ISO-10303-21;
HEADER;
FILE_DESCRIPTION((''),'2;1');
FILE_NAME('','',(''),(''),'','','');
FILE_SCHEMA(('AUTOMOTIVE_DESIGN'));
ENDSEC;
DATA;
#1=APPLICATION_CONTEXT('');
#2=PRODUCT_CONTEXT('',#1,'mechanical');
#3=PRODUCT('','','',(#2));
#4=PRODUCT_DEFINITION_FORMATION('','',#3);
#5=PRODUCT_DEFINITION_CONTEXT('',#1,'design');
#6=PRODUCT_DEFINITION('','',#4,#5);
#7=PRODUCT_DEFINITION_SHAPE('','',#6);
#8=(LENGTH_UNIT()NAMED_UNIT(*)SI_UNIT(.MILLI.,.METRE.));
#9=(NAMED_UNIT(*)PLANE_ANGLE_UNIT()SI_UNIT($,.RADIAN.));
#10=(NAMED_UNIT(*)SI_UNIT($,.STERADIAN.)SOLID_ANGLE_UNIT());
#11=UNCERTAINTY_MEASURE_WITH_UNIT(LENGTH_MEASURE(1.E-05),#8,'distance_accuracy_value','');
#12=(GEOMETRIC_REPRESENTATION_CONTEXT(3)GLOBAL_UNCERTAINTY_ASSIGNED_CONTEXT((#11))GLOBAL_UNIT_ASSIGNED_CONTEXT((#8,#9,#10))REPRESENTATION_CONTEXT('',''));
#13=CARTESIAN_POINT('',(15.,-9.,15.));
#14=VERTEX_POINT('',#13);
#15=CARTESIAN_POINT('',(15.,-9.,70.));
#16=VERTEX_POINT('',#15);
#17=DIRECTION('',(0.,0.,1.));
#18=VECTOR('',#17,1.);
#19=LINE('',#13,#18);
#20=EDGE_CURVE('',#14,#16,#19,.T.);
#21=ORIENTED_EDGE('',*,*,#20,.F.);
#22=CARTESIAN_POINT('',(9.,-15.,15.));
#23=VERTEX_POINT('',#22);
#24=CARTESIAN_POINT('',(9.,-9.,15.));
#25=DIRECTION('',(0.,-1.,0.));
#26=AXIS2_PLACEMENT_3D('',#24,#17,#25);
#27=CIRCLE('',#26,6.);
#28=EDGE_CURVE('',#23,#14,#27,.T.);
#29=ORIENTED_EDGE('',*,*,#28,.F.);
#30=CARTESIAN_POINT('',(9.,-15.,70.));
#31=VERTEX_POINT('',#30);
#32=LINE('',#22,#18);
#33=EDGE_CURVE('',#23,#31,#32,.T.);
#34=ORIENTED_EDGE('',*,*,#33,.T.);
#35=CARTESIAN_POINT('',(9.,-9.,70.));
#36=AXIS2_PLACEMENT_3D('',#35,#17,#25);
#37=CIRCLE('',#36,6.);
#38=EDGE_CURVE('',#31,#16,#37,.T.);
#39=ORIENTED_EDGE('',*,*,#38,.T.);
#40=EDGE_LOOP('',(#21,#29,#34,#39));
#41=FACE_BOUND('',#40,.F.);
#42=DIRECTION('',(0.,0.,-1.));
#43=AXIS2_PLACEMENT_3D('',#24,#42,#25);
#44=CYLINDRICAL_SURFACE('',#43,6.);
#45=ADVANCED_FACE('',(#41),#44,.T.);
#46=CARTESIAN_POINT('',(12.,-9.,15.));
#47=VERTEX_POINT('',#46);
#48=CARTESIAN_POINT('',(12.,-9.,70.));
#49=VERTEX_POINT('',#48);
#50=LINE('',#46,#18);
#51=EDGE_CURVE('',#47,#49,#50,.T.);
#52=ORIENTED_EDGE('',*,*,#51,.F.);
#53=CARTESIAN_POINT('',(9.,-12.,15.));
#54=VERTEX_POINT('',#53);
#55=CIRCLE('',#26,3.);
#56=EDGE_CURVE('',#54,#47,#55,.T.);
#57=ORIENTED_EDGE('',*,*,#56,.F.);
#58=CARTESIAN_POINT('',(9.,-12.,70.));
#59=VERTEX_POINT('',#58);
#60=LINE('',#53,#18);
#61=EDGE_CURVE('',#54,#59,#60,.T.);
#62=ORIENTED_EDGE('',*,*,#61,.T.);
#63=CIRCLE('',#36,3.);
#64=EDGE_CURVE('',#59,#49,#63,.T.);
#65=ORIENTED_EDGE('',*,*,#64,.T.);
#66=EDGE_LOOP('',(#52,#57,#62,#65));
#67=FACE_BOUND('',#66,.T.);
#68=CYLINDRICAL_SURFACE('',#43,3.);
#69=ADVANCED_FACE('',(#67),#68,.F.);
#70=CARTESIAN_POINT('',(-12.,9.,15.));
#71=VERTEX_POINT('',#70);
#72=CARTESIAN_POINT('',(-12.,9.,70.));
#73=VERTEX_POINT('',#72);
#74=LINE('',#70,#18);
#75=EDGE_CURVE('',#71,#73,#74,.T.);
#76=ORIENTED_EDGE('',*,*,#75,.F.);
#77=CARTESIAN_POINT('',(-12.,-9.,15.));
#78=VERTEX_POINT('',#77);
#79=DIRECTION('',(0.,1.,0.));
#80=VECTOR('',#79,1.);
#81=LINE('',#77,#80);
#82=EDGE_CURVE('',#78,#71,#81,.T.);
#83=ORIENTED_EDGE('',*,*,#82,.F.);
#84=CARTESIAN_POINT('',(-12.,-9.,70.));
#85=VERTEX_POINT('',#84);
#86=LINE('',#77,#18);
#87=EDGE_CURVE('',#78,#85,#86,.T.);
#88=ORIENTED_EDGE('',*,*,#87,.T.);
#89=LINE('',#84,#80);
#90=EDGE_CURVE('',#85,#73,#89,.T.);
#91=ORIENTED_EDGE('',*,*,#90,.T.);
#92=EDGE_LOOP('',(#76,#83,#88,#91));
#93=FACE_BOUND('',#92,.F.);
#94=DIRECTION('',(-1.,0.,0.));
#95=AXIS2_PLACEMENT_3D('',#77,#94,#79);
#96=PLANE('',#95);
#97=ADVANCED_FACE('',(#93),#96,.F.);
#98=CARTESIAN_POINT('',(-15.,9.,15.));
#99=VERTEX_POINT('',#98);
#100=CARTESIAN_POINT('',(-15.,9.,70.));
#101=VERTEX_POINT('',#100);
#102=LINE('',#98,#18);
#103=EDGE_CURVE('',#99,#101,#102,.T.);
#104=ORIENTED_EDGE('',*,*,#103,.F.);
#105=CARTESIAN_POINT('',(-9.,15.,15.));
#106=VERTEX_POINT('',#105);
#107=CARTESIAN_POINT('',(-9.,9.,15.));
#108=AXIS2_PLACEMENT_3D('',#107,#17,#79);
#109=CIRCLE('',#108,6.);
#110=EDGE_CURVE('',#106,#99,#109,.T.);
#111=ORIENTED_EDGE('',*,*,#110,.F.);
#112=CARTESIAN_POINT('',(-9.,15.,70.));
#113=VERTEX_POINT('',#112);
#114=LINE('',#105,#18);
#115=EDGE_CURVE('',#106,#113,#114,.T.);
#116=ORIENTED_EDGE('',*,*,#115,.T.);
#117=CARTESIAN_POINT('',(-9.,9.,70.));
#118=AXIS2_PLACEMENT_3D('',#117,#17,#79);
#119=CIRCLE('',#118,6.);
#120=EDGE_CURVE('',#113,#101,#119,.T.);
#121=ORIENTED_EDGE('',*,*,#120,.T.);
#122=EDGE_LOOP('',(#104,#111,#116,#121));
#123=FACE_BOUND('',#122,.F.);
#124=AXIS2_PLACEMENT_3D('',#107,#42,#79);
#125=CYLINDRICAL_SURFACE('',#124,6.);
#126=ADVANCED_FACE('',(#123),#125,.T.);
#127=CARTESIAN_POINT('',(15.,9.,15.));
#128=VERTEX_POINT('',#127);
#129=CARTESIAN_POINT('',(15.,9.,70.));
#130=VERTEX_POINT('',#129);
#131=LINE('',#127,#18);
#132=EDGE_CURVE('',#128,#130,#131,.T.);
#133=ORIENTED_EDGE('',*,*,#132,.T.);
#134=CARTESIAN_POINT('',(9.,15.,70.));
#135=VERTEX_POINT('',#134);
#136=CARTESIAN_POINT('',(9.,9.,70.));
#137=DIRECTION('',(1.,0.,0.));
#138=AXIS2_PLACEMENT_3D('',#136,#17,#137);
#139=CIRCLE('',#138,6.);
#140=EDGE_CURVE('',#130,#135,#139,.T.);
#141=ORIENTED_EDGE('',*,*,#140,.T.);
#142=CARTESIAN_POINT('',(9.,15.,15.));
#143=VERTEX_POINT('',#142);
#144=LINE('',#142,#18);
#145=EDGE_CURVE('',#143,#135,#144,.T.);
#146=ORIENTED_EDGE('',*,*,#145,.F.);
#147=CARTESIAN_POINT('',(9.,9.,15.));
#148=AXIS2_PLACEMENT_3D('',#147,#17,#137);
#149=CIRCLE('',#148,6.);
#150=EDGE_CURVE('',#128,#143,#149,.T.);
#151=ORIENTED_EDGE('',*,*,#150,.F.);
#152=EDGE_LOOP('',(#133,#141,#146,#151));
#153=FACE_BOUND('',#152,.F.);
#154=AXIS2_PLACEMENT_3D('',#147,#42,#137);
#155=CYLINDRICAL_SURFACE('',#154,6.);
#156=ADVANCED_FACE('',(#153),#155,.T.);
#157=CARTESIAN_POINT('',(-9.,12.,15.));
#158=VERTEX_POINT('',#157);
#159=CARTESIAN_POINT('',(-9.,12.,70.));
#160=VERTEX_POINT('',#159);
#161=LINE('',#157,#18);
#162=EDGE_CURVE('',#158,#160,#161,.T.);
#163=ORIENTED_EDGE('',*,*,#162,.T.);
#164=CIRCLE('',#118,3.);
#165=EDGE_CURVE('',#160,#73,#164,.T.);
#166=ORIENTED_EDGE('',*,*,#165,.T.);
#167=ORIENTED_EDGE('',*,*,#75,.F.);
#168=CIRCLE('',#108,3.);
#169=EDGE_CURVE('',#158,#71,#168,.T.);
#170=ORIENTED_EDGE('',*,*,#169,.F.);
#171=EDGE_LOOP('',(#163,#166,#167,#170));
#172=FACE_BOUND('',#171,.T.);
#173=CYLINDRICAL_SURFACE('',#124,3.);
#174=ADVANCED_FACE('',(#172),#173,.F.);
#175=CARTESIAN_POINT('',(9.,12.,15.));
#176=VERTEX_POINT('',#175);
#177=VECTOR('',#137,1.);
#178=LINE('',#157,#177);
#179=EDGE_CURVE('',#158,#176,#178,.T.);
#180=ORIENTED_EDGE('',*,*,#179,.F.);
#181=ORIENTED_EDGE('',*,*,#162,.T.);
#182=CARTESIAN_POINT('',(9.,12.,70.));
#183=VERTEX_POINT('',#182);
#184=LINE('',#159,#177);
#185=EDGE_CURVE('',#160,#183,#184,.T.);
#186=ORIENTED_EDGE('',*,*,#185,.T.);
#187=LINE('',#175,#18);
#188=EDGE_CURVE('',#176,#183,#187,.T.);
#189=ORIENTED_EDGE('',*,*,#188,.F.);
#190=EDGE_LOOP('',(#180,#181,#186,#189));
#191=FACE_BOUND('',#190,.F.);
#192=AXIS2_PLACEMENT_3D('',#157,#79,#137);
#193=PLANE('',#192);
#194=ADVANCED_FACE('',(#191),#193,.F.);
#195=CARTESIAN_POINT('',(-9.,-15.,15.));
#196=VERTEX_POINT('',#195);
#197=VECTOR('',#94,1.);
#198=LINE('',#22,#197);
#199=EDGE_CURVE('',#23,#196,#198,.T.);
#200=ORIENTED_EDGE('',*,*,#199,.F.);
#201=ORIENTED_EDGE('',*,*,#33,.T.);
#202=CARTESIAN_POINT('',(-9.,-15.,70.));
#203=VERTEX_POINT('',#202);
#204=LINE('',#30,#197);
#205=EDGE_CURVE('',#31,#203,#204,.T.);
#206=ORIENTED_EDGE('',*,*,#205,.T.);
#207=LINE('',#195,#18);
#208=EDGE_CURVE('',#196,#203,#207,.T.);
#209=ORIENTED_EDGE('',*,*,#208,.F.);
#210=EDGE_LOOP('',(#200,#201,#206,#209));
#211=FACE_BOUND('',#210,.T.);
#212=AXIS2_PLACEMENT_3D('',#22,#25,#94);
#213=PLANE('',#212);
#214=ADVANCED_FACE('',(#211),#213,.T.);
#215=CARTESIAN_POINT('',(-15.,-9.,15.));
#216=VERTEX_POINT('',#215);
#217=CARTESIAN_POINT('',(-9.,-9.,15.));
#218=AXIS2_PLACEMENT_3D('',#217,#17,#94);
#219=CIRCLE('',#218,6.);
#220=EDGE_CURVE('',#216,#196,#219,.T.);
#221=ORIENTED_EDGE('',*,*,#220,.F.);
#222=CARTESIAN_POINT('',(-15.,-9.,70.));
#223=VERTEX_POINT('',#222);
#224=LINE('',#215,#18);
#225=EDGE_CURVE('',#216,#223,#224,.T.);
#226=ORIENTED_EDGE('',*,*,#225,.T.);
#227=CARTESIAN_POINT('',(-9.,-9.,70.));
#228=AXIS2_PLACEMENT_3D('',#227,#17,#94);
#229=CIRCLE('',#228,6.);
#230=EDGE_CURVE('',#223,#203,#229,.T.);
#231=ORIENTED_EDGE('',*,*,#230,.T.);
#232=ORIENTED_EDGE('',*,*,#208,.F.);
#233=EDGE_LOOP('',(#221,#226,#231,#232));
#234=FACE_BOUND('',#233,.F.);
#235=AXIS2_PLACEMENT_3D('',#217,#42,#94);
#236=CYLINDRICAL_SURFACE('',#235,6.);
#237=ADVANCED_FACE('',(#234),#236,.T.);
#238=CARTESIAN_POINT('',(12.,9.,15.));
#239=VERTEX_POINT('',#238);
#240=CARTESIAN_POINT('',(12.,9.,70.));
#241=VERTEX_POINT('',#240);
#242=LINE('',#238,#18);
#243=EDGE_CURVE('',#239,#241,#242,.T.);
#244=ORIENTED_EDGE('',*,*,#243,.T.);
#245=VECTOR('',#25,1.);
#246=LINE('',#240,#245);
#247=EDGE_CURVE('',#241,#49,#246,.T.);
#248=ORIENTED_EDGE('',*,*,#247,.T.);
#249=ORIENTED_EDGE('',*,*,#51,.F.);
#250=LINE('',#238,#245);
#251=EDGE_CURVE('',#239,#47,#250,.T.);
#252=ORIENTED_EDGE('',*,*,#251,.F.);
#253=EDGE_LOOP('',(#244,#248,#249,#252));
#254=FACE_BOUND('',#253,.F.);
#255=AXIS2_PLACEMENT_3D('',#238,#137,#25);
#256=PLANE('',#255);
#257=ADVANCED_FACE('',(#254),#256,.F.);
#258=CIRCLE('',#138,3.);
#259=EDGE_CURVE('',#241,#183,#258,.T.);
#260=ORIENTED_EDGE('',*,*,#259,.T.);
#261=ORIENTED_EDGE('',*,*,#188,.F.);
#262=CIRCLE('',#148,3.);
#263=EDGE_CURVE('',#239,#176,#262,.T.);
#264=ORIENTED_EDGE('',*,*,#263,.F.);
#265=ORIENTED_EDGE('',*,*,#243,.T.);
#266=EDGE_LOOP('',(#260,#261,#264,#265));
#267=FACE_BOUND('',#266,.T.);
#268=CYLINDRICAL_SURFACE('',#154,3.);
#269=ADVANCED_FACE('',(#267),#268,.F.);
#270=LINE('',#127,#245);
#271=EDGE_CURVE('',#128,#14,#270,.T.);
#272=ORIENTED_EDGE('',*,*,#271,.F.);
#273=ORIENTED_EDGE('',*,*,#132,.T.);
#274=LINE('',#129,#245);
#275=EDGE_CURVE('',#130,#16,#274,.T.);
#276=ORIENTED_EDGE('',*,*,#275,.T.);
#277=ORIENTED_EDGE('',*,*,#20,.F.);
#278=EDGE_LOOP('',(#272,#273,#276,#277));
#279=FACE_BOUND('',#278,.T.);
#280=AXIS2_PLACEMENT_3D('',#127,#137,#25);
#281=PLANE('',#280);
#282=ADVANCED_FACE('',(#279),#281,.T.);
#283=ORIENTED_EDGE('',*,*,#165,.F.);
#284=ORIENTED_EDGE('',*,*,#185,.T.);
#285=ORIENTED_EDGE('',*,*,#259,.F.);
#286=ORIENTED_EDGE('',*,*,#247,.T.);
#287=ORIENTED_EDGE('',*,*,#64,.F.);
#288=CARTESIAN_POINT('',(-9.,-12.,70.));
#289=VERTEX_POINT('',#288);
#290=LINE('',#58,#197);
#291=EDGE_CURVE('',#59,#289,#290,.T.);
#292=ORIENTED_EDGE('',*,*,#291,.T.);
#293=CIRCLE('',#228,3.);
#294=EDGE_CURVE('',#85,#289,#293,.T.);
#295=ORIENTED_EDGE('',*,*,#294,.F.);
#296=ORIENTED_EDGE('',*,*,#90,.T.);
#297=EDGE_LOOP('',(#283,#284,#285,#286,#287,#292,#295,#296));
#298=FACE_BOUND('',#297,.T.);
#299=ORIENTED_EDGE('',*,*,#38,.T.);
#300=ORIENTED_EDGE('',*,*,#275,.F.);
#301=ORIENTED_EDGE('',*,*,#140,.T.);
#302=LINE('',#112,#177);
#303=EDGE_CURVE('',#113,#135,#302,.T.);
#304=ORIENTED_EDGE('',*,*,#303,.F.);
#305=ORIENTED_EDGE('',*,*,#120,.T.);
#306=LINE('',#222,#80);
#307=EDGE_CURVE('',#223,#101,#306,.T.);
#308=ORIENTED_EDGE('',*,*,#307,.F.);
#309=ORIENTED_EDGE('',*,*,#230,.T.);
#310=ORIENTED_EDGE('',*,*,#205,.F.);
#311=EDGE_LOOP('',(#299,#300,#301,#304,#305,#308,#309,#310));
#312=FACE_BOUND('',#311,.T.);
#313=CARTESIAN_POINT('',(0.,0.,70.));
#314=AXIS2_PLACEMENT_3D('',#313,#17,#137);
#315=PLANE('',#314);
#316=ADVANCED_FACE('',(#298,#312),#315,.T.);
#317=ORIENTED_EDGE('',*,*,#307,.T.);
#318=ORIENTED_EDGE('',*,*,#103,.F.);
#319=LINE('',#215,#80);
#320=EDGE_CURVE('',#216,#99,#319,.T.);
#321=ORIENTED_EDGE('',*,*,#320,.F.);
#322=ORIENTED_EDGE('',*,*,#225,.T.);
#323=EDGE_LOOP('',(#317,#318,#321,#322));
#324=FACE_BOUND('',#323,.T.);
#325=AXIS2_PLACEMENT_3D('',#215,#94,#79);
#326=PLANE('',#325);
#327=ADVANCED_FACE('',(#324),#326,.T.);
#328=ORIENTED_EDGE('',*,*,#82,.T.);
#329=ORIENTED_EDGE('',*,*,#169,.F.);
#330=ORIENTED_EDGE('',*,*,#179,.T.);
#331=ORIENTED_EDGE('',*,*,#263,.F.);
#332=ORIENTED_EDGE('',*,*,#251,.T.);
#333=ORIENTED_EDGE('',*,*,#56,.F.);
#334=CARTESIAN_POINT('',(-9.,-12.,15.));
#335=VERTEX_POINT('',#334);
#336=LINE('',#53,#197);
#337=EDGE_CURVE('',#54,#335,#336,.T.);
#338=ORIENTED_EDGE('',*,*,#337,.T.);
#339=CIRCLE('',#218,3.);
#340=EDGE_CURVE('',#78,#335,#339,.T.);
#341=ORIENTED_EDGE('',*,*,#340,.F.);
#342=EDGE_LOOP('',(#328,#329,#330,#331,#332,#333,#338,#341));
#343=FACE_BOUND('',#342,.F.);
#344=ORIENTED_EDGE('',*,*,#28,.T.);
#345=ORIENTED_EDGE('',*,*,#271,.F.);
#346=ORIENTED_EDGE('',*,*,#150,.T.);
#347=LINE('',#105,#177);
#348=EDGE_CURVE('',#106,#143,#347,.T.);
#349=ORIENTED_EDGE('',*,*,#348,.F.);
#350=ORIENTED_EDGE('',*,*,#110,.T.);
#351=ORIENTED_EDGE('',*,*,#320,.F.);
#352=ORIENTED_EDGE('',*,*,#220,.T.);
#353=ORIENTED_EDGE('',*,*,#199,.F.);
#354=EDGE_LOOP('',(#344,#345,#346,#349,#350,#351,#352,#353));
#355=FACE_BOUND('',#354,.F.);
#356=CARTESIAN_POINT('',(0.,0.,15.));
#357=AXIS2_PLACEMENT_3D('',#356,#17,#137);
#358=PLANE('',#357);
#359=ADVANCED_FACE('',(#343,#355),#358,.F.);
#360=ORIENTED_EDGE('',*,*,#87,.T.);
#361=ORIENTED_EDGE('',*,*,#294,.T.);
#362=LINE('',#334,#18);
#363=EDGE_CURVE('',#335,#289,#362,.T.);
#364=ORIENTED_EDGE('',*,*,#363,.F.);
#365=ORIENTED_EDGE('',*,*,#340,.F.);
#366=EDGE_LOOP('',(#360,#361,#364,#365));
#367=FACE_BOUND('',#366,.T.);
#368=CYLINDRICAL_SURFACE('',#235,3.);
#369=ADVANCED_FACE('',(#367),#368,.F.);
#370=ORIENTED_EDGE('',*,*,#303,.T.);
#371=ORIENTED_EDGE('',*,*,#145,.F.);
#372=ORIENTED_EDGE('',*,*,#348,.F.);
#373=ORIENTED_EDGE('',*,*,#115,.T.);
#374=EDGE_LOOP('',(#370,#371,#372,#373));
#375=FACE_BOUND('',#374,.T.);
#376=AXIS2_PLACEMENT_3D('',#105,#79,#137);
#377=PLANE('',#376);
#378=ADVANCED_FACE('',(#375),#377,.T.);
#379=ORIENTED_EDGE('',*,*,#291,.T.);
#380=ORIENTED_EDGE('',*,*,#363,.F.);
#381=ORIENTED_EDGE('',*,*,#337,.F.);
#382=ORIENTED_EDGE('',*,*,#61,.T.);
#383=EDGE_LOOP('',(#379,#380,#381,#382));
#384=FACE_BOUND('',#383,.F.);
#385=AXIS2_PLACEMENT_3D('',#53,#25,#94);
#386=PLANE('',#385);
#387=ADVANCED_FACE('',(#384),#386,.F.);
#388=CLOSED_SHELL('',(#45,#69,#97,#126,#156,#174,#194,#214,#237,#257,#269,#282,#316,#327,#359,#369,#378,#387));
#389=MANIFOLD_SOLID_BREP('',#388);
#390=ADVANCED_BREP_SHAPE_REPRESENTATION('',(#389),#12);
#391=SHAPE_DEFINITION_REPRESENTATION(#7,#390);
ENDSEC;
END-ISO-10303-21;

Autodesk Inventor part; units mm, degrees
ref_plane "Start Plane" through (0, 0, 15) normal (0, 0, 1) x (1, 0, 0)
ref_plane "End Plane" through (0, 0, 70) normal (0, 0, 1) x (1, 0, 0)
sketch "Sketch" plane through (0, 0, 0) normal (0, 0, 1) x (1, 0, 0)
  line L0 (-15, -9) -> (-15, 9)
  line L1 (-9, 15) -> (9, 15)
  line L2 (15, 9) -> (15, -9)
  line L3 (9, -15) -> (-9, -15)
  arc A0 (-15, -9) -> (-9, -15) centre (-9, -9) ccw
  arc A1 (-9, 15) -> (-15, 9) centre (-9, 9) ccw
  arc A2 (15, 9) -> (9, 15) centre (9, 9) ccw
  arc A3 (9, -15) -> (15, -9) centre (9, -9) ccw
  arc A4 (-9, 12) -> (-12, 9) centre (-9, 9) ccw
  line L4 (-9, 12) -> (9, 12)
  arc A5 (12, 9) -> (9, 12) centre (9, 9) ccw
  line L5 (12, 9) -> (12, -9)
  arc A6 (9, -12) -> (12, -9) centre (9, -9) ccw
  line L6 (9, -12) -> (-9, -12)
  arc A7 (-12, -9) -> (-9, -12) centre (-9, -9) ccw
  line L7 (-12, -9) -> (-12, 9)
  line L8 (0, 22.7397) -> (0, -22.7397) construction
  line L9 (-22.7397, 0) -> (22.7397, 0) construction
  dimension "d7" = 6
  dimension "d10" = 30
  dimension "d11" = 30
  dimension "d12" = 3
  dimension "d15" = 15
  dimension "d16" = 15
extrude "Body" add sketch "Sketch" along normal up to surface (55 mm away) from surface at 15
sketch "Sketch3" plane through (0, 0, 0) normal (0, 0, 1) x (1, 0, 0)
  line L0 (0, 0) -> (10, 0)
ref_plane "Work Plane3" through (0, 0, 0) normal (0, -1, 0) x (1, 0, 0)
ref_plane "Work Plane4" through (370, 9, 70) normal (0, 0, 1) x (1, 0, 0)
split "Split1" plane through (370, 9, 70) removes the side toward (0, 0, 1)
ref_plane "Work Plane5" through (0, -9, 15) normal (0, 0, -1) x (-1, 0, 0)
split "Split2" plane through (0, -9, 15) removes the side toward (0, 0, -1)
sketch "Sketch4" plane through (0, 0, 0) normal (0, -1, 0) x (1, 0, 0)
  line L0 (-2, 15) -> (12, 15) projected
  line L1 (-2, 70) -> (12, 70) projected
  dimension "d18" = 55
equation "\"d7\" = G_IR"
equation "\"d10\" = G_H"
equation "\"d11\" = G_W"
equation "\"d12\" = G_T"
equation "\"d15\" = 0.5 * d10"
equation "\"d16\" = 0.5 * d11"
equation "\"d3\" = G_L"
equation "\"G_W\" = 30"
equation "\"G_H\" = 30"
equation "\"G_T\" = 3"
equation "\"G_IR\" = 6"
equation "\"G_L\" = d18"
equation "\"G_OFFSET_START\" = -15"
equation "\"G_OFFSET_END\" = -15"
equation "\"d13\" = -G_OFFSET_START"
equation "\"B_L\" = 85"
properties part number "DIN EN 10219-2 - 30 x 30 x 3  - 55" material "Steel, Mild"
